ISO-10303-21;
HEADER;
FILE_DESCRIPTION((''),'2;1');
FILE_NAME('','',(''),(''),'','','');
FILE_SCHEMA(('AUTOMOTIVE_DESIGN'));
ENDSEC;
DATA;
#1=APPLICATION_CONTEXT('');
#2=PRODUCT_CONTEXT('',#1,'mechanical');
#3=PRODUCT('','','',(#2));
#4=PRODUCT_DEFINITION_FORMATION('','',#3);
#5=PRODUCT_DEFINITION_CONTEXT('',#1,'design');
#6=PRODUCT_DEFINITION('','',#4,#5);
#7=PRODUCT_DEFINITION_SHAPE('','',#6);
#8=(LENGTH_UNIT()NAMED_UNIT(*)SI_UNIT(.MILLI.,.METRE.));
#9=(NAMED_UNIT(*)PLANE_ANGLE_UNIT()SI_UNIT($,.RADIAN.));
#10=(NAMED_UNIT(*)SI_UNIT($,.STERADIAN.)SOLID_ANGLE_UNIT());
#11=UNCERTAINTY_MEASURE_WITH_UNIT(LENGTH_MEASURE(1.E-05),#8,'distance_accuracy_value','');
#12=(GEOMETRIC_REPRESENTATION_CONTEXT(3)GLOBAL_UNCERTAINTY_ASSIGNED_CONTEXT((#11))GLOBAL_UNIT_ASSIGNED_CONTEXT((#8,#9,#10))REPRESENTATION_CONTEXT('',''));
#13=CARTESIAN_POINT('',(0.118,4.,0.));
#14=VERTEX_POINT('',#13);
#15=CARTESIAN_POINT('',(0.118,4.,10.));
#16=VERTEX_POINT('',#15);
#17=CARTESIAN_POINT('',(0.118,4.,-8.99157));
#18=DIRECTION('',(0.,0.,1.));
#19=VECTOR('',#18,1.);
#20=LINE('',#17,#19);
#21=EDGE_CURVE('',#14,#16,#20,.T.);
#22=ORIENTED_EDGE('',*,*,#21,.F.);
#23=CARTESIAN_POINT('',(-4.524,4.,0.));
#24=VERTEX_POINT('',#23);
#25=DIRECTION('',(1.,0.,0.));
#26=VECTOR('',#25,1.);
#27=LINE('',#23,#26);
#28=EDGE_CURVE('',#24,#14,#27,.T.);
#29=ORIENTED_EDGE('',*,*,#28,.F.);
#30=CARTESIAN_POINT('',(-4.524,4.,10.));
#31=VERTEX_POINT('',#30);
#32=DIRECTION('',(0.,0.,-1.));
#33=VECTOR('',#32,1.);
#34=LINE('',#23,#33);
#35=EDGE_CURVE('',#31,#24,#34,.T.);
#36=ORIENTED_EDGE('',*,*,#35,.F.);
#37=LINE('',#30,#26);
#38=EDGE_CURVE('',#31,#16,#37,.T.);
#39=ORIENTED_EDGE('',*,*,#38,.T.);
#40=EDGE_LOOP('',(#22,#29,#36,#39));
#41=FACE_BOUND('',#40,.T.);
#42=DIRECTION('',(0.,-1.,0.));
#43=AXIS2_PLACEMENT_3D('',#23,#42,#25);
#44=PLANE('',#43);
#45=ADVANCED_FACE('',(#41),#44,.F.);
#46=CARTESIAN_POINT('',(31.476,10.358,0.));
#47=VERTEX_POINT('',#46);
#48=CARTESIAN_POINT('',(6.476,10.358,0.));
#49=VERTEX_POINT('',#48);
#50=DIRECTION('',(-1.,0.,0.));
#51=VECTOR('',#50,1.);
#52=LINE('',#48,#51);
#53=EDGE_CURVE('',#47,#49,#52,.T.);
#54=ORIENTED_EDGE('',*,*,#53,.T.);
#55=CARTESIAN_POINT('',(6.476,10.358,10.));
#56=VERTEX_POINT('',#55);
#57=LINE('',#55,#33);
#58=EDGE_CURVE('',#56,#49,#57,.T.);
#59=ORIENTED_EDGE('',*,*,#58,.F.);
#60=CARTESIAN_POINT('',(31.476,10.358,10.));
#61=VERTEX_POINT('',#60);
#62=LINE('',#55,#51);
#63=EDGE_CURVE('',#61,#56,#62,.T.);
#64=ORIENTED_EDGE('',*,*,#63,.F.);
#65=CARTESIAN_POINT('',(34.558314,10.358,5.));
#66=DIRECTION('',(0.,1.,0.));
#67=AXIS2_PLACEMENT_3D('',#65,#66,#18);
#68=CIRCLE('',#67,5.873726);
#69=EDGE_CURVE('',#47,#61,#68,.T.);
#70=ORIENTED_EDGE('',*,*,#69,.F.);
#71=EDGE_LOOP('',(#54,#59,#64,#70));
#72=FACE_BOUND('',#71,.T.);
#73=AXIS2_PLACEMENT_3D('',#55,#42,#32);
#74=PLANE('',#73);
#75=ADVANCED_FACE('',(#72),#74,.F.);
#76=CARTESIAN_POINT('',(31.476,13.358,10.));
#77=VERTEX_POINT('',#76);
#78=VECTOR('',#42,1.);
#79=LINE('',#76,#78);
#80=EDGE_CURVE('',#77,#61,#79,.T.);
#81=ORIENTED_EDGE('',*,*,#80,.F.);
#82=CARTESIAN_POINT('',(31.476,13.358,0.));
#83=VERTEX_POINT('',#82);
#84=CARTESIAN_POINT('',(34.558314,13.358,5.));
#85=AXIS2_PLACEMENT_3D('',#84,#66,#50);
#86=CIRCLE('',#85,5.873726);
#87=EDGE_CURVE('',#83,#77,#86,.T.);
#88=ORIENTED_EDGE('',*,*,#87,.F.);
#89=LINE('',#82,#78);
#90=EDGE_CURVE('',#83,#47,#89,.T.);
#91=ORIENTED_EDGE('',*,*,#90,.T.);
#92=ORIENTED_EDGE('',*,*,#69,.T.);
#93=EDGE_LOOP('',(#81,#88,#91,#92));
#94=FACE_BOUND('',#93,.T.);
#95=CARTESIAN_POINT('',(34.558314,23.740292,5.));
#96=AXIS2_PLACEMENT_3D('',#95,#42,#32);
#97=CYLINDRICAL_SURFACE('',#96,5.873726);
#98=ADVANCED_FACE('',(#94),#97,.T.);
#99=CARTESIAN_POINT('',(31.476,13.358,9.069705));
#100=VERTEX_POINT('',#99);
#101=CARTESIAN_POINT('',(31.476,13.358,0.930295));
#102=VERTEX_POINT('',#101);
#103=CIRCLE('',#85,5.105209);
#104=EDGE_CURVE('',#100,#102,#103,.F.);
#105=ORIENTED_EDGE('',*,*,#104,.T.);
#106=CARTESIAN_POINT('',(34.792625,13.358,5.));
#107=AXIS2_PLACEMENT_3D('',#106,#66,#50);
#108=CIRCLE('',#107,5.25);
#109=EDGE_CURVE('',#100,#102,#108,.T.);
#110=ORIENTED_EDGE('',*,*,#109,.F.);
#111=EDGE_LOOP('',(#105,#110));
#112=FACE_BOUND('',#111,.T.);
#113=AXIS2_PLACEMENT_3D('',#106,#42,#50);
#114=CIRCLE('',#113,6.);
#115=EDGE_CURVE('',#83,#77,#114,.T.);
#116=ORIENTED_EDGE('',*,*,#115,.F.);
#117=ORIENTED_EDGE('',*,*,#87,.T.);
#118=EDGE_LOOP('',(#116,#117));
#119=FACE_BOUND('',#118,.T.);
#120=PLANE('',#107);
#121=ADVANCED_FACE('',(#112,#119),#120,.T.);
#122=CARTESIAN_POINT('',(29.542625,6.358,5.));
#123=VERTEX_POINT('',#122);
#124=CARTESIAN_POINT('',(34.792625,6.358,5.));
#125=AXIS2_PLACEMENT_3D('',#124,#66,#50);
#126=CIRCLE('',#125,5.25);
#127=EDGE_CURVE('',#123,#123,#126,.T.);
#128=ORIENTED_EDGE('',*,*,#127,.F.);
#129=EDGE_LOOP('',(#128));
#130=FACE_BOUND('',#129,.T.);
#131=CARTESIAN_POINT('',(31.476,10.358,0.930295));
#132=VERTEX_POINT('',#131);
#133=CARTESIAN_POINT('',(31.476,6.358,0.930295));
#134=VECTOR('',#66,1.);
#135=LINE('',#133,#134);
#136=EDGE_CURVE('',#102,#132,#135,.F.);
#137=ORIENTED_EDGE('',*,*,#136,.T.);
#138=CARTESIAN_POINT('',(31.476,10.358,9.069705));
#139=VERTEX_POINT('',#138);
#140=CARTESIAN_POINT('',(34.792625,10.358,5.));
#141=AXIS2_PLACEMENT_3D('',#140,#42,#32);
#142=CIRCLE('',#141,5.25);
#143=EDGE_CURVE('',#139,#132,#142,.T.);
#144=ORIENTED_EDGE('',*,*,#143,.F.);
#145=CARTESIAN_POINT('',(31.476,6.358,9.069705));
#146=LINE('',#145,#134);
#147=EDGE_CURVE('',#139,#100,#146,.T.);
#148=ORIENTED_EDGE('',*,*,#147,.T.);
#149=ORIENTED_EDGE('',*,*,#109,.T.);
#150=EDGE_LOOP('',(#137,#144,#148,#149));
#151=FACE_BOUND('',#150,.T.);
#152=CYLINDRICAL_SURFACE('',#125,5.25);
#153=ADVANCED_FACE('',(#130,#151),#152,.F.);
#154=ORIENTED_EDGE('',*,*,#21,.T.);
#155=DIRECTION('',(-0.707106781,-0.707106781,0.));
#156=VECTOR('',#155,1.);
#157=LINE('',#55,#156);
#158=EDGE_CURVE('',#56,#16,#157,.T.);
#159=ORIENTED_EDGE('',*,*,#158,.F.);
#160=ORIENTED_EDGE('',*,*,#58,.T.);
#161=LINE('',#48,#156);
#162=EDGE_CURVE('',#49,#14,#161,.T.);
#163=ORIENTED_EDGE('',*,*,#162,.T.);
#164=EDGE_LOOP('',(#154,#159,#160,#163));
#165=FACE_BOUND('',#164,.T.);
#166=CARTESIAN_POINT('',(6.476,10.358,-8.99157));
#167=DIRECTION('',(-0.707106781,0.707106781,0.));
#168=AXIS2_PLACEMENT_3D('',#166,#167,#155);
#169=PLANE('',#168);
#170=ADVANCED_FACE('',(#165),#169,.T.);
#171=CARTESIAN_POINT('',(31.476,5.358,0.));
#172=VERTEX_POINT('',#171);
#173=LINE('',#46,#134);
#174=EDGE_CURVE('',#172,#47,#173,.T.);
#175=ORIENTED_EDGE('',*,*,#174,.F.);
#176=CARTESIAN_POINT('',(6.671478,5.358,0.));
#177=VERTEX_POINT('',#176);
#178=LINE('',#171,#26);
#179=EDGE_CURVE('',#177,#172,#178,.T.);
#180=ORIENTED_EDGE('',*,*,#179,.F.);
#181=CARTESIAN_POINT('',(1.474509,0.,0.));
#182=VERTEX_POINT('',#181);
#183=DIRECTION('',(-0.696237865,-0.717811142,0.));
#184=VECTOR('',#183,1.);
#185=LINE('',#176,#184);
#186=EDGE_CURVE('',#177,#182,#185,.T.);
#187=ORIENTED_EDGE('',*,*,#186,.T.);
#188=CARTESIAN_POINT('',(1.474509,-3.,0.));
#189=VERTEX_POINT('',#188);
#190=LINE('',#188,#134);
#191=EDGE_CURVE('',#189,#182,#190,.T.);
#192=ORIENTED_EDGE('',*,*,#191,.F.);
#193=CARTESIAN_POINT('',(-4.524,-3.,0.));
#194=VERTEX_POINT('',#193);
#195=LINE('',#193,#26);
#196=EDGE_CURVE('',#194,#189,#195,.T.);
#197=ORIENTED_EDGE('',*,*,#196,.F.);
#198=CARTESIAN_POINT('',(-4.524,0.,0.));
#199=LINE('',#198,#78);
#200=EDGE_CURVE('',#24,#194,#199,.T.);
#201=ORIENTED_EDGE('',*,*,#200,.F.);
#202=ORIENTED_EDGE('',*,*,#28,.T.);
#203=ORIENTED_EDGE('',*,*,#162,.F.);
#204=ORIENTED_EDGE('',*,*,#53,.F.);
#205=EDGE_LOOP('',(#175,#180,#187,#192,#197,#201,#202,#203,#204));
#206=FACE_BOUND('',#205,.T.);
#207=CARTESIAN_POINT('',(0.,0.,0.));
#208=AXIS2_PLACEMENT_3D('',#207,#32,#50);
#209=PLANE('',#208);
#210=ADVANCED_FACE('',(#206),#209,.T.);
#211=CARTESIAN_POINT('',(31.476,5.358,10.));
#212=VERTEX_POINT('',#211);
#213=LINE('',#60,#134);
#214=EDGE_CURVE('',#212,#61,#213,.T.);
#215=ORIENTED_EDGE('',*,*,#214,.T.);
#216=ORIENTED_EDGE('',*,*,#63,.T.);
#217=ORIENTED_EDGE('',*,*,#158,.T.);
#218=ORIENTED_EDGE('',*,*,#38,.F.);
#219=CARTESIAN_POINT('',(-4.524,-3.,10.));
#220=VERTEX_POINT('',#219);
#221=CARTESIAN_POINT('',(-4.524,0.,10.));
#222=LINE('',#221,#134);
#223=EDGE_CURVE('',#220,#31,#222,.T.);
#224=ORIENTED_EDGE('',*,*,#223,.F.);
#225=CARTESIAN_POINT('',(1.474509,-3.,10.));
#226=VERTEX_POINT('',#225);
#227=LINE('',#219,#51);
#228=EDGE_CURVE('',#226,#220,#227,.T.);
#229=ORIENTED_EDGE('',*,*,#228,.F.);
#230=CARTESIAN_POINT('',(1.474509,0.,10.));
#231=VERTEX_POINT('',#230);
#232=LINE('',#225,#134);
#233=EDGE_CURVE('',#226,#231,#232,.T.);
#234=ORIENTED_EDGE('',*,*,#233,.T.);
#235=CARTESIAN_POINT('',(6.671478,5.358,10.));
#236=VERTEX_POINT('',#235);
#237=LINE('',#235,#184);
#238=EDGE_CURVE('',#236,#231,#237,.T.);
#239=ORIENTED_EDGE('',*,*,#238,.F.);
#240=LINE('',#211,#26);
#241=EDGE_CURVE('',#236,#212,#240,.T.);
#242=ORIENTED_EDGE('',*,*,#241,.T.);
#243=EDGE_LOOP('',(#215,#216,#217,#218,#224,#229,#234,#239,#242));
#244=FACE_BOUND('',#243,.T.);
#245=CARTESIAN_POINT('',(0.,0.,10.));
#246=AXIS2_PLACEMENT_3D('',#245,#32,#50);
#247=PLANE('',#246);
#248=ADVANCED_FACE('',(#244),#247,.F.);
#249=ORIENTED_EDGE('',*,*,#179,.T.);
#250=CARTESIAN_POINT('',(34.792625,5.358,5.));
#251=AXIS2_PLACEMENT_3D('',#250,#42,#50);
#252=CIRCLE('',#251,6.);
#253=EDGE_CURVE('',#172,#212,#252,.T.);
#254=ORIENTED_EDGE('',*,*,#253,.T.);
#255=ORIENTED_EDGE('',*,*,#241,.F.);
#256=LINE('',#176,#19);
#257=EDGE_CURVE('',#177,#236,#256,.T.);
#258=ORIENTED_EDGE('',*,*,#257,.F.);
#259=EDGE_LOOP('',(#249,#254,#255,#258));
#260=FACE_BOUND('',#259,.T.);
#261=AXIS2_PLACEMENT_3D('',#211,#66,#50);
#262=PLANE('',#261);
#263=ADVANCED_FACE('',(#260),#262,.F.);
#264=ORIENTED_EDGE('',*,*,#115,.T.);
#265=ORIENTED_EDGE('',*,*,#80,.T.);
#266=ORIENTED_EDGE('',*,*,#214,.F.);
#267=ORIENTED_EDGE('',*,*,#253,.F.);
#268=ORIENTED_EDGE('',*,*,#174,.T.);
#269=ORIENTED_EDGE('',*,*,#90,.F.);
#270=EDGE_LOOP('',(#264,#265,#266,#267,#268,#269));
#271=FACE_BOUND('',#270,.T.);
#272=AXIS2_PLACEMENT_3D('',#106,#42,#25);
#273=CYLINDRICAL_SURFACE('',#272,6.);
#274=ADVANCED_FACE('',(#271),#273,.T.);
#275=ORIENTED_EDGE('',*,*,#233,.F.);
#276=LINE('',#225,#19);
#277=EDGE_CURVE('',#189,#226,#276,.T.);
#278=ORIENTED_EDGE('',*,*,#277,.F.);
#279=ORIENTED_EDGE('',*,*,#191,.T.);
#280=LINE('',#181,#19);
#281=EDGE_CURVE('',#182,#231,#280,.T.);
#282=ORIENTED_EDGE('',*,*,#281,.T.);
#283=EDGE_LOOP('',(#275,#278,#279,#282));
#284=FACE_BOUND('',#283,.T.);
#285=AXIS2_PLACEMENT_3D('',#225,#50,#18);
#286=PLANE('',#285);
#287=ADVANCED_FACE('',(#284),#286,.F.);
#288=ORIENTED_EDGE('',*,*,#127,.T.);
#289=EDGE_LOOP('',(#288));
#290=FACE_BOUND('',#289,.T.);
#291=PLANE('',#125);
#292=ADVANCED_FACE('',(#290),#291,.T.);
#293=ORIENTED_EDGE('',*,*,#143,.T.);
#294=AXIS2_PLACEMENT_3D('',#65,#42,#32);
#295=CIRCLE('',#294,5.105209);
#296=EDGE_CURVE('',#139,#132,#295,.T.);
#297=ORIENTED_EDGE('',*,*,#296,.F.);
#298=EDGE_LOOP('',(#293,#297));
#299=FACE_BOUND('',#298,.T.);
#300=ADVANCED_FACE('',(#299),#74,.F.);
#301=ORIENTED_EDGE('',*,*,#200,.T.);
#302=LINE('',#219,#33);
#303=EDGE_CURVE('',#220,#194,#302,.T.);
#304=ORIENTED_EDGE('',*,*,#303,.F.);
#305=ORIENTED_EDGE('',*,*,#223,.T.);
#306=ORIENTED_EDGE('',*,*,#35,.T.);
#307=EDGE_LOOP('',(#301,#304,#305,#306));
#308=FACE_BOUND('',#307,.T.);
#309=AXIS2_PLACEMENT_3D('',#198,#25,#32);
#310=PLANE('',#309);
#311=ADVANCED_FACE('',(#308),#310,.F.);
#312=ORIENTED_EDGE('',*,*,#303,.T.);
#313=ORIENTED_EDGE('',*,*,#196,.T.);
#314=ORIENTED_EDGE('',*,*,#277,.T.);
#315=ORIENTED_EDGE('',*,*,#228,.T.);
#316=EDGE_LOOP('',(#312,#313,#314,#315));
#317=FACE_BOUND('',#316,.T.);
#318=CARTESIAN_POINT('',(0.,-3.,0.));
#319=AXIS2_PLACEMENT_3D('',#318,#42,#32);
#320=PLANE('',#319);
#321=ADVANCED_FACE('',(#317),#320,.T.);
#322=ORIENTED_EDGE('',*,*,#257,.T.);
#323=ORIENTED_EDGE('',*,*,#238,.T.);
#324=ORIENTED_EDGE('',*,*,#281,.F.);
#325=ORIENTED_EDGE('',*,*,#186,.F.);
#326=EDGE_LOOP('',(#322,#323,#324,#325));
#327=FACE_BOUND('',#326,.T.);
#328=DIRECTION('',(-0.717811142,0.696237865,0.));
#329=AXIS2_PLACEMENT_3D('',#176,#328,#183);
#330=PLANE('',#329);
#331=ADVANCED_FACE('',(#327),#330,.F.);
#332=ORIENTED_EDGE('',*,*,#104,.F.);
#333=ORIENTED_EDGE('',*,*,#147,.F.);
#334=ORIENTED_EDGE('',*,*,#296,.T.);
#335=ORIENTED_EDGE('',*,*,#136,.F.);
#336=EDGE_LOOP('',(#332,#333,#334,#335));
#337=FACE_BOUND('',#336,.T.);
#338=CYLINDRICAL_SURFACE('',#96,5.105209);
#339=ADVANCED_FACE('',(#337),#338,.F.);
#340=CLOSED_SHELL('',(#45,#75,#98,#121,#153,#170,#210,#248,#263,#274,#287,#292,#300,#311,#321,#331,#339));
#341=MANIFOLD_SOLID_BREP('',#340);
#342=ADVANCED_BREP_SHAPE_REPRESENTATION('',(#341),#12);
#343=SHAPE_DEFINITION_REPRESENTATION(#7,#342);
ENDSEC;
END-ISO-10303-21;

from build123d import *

# Parameters (mm, degrees)
BOSS_EXTRUDE1_DEPTH = 10
BOSS_EXTRUDE4_DEPTH = 8
SKETCH7_R           = 5.25
CUT_EXTRUDE1_DEPTH  = 7
SKETCH8_W           = 10
SKETCH8_H           = 4
BOSS_EXTRUDE5_DEPTH = 11
CUT_EXTRUDE2_DEPTH  = 10
BOSS_EXTRUDE6_DEPTH = 3
BOSS_EXTRUDE7_DEPTH = 10
CUT_EXTRUDE3_DEPTH  = 10
SKETCH13_W          = 5.998509049
SKETCH13_H          = 10
BOSS_EXTRUDE8_DEPTH = 3


with BuildPart() as part:
    # Sketch2 → Boss-Extrude1 (new body)
    with BuildSketch(Plane.XY):
        Polygon((6.476, 10.358), (31.476, 10.358), (31.476, 5.358), (11.456, 5.358), (11.456, 0), (6.476, 0), align=None)
    extrude(amount=BOSS_EXTRUDE1_DEPTH)

    # Sketch6 → Boss-Extrude4 (add)
    with BuildSketch(Plane.XZ.offset(-5.358)):
        with BuildLine():
            Line((31.476, 0), (31.476, 10))
            ThreePointArc((31.476, 10), (40.79262479, 5), (31.476, 0))
        make_face()
    extrude(amount=-BOSS_EXTRUDE4_DEPTH)

    # Sketch7 → Cut-Extrude1 (cut)
    with BuildSketch(Plane(origin=(0, 13.358, 0), x_dir=(1, 0, 0), z_dir=(0, 1, 0))):
        with Locations(Location((34.79262479, -5, 0), (0, 0, 180))):
            Circle(SKETCH7_R)
    extrude(amount=-CUT_EXTRUDE1_DEPTH, mode=Mode.SUBTRACT)

    # Sketch8 → Boss-Extrude5 (add)
    with BuildSketch(Plane.ZY.offset(-6.476)):
        with Locations((5, 2)):
            Rectangle(SKETCH8_W, SKETCH8_H)
    extrude(amount=BOSS_EXTRUDE5_DEPTH)

    # Sketch9 → Cut-Extrude2 (cut)
    with BuildSketch(Plane.XY.offset(10)):
        Polygon((11.456, 5.358), (6.259030685, 0), (11.456, 0), align=None)
    extrude(amount=-CUT_EXTRUDE2_DEPTH, mode=Mode.SUBTRACT)

    # Sketch10 → Boss-Extrude6 (add)
    with BuildSketch(Plane(origin=(0, 10.358, 0), x_dir=(1, 0, 0), z_dir=(0, 1, 0))):
        with BuildLine():
            Line((31.476, -10), (31.476, -9.069705149))
            ThreePointArc((31.476, -9.069705149), (29.453104981, -5), (31.476, -0.930294851))
            Line((31.476, -0.930294851), (31.476, 0))
            ThreePointArc((31.476, 0), (28.684587845, -5), (31.476, -10))
        make_face()
    extrude(amount=BOSS_EXTRUDE6_DEPTH)

    # Sketch11 → Boss-Extrude7 (add)
    with BuildSketch(Plane.XY.offset(10)):
        Polygon((6.476, 4), (6.476, 10.358), (0.118, 4), align=None)
    extrude(amount=-BOSS_EXTRUDE7_DEPTH)

    # Sketch12 → Cut-Extrude3 (cut)
    with BuildSketch(Plane.XY.offset(10)):
        Polygon((6.259030685, 0), (1.474509049, 0), (6.671478364, 5.358), (11.456, 5.358), align=None)
    extrude(amount=-CUT_EXTRUDE3_DEPTH, mode=Mode.SUBTRACT)

    # Sketch13 → Boss-Extrude8 (add)
    with BuildSketch(Plane.XZ):
        with Locations((-1.524745476, 5)):
            Rectangle(SKETCH13_W, SKETCH13_H)
    extrude(amount=BOSS_EXTRUDE8_DEPTH)


solid = part.part
